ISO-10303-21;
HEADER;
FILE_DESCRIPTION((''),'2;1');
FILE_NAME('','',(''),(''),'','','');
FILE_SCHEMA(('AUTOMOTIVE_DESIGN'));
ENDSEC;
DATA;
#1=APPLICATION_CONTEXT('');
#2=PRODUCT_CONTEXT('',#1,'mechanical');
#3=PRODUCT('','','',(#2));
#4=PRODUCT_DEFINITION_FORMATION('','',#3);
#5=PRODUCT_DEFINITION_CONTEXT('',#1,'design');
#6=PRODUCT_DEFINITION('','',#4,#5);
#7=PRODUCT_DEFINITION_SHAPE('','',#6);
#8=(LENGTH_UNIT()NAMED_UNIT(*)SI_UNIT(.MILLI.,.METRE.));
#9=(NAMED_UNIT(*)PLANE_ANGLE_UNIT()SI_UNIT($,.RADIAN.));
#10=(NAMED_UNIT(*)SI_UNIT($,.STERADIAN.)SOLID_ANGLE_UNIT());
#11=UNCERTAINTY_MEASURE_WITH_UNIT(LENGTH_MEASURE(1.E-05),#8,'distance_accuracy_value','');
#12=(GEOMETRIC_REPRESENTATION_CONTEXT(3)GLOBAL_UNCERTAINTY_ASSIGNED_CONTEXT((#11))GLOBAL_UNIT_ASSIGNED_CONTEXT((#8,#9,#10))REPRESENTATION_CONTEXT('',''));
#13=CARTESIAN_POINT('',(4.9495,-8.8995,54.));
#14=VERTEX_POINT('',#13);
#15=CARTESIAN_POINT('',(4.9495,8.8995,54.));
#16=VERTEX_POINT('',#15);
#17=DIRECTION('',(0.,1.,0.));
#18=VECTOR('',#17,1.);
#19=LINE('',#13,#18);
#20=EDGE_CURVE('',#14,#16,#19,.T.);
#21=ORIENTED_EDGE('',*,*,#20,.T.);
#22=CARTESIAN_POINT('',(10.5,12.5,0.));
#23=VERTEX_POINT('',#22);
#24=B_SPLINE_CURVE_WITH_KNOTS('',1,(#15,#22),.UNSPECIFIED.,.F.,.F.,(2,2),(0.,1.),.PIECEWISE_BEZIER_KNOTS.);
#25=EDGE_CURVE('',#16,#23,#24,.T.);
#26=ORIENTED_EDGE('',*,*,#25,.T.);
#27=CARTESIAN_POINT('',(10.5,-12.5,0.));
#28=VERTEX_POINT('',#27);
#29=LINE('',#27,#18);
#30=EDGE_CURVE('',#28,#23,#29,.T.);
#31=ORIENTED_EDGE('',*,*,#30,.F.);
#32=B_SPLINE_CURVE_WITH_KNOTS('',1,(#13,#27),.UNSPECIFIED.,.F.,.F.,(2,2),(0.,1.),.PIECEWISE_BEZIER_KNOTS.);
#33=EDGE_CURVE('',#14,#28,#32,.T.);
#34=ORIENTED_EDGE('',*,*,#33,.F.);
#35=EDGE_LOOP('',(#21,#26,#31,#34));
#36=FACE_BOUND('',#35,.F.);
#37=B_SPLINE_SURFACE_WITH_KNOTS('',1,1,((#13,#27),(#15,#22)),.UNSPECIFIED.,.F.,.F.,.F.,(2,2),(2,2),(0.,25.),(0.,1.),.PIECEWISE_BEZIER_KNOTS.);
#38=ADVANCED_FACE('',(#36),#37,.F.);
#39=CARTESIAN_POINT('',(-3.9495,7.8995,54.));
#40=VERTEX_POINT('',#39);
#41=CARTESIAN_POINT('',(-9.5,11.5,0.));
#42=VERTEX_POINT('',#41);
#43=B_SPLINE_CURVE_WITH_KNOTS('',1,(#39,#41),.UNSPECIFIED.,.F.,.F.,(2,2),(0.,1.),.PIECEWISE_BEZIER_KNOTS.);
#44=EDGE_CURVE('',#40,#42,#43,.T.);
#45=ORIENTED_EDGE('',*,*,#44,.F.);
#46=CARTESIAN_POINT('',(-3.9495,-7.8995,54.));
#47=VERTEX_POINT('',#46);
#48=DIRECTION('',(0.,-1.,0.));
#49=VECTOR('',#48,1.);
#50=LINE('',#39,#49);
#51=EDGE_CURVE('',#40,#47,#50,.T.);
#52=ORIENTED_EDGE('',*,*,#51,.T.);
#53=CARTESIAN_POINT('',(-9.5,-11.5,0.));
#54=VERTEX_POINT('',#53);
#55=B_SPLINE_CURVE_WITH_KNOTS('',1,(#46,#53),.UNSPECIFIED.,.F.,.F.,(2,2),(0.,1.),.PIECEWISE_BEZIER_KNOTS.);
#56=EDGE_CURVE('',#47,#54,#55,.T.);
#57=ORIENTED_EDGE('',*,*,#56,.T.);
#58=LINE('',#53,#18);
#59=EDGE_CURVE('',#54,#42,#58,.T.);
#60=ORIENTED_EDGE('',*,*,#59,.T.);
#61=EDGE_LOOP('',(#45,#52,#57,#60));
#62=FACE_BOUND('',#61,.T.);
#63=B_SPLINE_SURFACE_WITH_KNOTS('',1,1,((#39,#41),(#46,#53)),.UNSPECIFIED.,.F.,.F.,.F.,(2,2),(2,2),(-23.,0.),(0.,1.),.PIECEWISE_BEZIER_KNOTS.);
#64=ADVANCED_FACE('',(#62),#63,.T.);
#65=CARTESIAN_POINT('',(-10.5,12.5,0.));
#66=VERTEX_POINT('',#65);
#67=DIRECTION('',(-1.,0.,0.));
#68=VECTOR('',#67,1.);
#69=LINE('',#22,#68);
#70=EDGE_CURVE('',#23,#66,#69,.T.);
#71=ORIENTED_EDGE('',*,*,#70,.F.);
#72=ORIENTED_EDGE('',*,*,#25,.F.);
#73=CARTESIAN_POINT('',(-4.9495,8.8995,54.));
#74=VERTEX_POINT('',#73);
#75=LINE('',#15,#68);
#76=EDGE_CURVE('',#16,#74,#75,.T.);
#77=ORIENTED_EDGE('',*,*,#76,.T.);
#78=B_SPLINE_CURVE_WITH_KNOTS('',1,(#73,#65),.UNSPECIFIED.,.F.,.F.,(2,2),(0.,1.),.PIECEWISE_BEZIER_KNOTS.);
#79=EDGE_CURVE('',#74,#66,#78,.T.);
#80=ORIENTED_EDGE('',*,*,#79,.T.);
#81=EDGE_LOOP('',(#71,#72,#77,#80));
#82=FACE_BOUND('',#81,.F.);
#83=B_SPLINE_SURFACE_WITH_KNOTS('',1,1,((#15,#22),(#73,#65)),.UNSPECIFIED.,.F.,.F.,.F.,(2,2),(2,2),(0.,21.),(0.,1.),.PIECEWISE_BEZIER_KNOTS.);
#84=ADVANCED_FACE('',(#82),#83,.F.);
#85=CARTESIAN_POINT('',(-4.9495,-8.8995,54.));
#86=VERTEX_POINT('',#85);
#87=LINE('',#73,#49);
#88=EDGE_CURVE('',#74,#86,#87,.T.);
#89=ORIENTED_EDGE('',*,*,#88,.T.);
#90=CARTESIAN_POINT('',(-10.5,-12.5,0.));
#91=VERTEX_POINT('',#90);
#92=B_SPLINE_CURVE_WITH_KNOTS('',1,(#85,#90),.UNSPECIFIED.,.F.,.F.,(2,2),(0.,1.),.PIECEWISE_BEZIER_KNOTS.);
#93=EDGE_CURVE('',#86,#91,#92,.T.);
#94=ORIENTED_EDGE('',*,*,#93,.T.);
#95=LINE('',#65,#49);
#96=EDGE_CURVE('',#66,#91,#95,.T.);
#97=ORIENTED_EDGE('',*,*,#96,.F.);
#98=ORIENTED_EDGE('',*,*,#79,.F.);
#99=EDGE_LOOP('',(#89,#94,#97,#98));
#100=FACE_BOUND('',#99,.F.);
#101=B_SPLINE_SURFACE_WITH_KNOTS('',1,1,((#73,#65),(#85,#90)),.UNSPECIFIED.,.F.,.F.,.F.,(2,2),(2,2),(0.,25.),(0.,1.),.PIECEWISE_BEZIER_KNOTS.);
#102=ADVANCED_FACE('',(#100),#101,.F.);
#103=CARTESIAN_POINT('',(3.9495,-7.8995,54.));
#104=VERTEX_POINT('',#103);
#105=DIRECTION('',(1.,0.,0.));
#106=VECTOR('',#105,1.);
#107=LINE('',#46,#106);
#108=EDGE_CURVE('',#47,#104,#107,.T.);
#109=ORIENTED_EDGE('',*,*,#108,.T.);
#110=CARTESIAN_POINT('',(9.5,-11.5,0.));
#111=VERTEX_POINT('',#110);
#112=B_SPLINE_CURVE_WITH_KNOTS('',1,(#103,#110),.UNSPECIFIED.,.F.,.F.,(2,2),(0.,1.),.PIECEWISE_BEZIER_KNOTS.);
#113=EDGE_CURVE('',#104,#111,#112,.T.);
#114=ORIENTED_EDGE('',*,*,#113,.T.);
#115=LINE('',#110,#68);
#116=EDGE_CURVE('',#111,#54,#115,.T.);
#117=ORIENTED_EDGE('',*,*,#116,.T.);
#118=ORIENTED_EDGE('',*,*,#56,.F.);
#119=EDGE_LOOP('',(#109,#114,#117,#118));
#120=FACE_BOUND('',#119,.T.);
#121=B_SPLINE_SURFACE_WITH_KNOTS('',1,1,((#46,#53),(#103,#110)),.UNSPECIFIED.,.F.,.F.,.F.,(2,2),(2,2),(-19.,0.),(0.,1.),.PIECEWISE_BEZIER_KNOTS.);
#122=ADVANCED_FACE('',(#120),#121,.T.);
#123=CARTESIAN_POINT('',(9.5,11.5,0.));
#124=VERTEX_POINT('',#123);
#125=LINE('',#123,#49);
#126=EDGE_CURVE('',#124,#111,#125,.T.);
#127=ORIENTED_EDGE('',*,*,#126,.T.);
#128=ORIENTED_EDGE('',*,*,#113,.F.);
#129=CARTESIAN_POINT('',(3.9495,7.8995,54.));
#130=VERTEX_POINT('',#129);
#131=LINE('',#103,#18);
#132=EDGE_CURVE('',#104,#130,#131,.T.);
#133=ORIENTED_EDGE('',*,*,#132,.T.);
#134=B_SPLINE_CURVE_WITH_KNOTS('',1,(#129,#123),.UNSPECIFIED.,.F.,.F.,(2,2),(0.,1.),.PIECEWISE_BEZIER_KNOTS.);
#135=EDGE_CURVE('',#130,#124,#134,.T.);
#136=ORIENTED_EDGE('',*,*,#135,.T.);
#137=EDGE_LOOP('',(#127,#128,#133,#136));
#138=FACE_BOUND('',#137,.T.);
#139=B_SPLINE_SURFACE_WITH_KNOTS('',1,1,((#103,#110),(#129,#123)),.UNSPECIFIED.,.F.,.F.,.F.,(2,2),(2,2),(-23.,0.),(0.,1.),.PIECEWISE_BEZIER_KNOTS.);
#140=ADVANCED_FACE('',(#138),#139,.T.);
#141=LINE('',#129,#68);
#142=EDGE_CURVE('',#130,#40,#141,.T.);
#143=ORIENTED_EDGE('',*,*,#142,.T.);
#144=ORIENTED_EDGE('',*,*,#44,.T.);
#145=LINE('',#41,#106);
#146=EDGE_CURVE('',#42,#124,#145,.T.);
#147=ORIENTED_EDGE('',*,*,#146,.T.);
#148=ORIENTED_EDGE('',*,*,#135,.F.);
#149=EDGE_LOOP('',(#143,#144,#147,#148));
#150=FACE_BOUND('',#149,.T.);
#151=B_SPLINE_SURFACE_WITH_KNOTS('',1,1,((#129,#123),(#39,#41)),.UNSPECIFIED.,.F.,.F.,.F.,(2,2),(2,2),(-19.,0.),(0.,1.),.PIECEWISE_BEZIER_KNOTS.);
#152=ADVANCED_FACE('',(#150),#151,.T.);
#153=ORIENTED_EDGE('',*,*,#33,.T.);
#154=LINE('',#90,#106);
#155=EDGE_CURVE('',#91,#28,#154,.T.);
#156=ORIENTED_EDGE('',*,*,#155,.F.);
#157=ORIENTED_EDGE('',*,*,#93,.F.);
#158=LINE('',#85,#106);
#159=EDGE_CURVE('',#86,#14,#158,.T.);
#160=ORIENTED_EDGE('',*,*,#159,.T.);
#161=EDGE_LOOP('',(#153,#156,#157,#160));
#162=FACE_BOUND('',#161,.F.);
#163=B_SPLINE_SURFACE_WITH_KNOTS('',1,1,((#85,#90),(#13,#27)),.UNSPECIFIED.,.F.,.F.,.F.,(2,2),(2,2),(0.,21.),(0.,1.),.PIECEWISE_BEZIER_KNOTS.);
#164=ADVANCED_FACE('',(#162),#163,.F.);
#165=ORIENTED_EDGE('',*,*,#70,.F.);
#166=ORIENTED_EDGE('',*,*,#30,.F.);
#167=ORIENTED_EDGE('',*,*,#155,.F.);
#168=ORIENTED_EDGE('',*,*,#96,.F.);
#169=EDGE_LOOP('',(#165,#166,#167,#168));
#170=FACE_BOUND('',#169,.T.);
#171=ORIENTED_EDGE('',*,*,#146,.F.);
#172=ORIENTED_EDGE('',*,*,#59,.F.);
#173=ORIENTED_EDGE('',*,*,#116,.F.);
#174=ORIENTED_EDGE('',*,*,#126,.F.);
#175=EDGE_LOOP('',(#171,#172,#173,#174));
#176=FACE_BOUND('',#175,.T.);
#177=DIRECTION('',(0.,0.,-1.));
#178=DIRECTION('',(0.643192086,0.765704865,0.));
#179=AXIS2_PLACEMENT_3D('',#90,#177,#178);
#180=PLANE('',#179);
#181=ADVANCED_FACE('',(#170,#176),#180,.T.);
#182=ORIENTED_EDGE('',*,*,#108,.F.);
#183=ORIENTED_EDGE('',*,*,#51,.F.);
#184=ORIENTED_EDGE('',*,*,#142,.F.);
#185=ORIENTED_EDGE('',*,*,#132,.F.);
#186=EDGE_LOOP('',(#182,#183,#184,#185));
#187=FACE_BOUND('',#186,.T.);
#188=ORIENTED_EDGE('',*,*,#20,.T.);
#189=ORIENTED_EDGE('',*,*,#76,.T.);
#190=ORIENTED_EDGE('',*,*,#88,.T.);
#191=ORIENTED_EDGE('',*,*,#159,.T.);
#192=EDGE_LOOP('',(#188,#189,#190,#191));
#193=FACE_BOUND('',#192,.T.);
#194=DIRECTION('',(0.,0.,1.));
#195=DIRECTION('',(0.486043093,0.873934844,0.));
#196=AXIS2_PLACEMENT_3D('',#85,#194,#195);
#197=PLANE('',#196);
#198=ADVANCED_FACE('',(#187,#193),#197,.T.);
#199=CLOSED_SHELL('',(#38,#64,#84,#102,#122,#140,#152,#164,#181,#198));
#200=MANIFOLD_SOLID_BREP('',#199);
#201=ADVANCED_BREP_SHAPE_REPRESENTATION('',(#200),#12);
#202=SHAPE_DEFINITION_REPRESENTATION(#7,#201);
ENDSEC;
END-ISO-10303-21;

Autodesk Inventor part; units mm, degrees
ref_plane "YZ Plane" through (0, 0, 0) normal (1, 0, 0) x (0, 1, 0)
ref_plane "XZ Plane" through (0, 0, 0) normal (0, 1, 0) x (-1, 0, 0)
ref_plane "XY Plane" through (0, 0, 0) normal (0, 0, 1) x (1, 0, 0)
sketch "Sketch1" plane through (0, 0, 0) normal (0, 0, 1) x (1, 0, 0)
  line L0 (-10.5, -12.5) -> (10.5, -12.5)
  line L1 (10.5, -12.5) -> (10.5, 12.5)
  line L2 (10.5, 12.5) -> (-10.5, 12.5)
  line L3 (-10.5, 12.5) -> (-10.5, -12.5)
  line L4 (-10.5, -12.5) -> (10.5, 12.5) construction
  line L5 (10.5, -12.5) -> (-10.5, 12.5) construction
  point P0 (0, 0)
  dimension "d0" = 21
  dimension "d1" = 25
ref_plane "Work Plane2" through (10.5, -12.5, 54) normal (0, 0, 1) x (0, 1, 0)
ref_plane "Work Plane1" through (10.5, -12.5, 0) normal (0, 0, 1) x (0, 1, 0)
sketch "Sketch2" plane through (10.5, -12.5, 54) normal (0, 0, 1) x (0, 1, 0)
  line L0 (3.6005, 5.5505) -> (21.3995, 5.5505)
  line L1 (21.3995, 5.5505) -> (21.3995, 15.4495)
  line L2 (21.3995, 15.4495) -> (3.6005, 15.4495)
  line L3 (3.6005, 15.4495) -> (3.6005, 5.5505)
  line L4 (3.6005, 5.5505) -> (21.3995, 15.4495) construction
  line L5 (21.3995, 5.5505) -> (3.6005, 15.4495) construction
  point P0 (12.5, 10.5)
  dimension "d3" = 17.799
  dimension "d4" = 9.899
loft "Loft1" add profiles "Sketch2", "Sketch1"
sketch "Sketch4" plane through (10.5, -12.5, 0) normal (0, 0, -1) x (-1, 0, 0)
  line L0 (1, 1) -> (20, 1)
  line L1 (20, 1) -> (20, 24)
  line L2 (20, 24) -> (1, 24)
  line L3 (1, 24) -> (1, 1)
  line L4 (1, 1) -> (20, 24) construction
  line L5 (20, 1) -> (1, 24) construction
  point P0 (10.5, 12.5)
  dimension "d9" = 19
  dimension "d10" = 23
sketch "Sketch5" plane through (-4.9495, 8.8995, 54) normal (0, 0, 1) x (1, 0, 0)
  line L0 (1, -16.799) -> (8.899, -16.799)
  line L1 (8.899, -16.799) -> (8.899, -1)
  line L2 (8.899, -1) -> (1, -1)
  line L3 (1, -1) -> (1, -16.799)
  line L4 (1, -16.799) -> (8.899, -1) construction
  line L5 (8.899, -16.799) -> (1, -1) construction
  point P0 (4.9495, -8.8995)
  dimension "d11" = 7.899
  dimension "d12" = 15.799
loft "Loft2" cut profiles "Sketch5", "Sketch4"
properties part number "NewHorn" material "Copper"
